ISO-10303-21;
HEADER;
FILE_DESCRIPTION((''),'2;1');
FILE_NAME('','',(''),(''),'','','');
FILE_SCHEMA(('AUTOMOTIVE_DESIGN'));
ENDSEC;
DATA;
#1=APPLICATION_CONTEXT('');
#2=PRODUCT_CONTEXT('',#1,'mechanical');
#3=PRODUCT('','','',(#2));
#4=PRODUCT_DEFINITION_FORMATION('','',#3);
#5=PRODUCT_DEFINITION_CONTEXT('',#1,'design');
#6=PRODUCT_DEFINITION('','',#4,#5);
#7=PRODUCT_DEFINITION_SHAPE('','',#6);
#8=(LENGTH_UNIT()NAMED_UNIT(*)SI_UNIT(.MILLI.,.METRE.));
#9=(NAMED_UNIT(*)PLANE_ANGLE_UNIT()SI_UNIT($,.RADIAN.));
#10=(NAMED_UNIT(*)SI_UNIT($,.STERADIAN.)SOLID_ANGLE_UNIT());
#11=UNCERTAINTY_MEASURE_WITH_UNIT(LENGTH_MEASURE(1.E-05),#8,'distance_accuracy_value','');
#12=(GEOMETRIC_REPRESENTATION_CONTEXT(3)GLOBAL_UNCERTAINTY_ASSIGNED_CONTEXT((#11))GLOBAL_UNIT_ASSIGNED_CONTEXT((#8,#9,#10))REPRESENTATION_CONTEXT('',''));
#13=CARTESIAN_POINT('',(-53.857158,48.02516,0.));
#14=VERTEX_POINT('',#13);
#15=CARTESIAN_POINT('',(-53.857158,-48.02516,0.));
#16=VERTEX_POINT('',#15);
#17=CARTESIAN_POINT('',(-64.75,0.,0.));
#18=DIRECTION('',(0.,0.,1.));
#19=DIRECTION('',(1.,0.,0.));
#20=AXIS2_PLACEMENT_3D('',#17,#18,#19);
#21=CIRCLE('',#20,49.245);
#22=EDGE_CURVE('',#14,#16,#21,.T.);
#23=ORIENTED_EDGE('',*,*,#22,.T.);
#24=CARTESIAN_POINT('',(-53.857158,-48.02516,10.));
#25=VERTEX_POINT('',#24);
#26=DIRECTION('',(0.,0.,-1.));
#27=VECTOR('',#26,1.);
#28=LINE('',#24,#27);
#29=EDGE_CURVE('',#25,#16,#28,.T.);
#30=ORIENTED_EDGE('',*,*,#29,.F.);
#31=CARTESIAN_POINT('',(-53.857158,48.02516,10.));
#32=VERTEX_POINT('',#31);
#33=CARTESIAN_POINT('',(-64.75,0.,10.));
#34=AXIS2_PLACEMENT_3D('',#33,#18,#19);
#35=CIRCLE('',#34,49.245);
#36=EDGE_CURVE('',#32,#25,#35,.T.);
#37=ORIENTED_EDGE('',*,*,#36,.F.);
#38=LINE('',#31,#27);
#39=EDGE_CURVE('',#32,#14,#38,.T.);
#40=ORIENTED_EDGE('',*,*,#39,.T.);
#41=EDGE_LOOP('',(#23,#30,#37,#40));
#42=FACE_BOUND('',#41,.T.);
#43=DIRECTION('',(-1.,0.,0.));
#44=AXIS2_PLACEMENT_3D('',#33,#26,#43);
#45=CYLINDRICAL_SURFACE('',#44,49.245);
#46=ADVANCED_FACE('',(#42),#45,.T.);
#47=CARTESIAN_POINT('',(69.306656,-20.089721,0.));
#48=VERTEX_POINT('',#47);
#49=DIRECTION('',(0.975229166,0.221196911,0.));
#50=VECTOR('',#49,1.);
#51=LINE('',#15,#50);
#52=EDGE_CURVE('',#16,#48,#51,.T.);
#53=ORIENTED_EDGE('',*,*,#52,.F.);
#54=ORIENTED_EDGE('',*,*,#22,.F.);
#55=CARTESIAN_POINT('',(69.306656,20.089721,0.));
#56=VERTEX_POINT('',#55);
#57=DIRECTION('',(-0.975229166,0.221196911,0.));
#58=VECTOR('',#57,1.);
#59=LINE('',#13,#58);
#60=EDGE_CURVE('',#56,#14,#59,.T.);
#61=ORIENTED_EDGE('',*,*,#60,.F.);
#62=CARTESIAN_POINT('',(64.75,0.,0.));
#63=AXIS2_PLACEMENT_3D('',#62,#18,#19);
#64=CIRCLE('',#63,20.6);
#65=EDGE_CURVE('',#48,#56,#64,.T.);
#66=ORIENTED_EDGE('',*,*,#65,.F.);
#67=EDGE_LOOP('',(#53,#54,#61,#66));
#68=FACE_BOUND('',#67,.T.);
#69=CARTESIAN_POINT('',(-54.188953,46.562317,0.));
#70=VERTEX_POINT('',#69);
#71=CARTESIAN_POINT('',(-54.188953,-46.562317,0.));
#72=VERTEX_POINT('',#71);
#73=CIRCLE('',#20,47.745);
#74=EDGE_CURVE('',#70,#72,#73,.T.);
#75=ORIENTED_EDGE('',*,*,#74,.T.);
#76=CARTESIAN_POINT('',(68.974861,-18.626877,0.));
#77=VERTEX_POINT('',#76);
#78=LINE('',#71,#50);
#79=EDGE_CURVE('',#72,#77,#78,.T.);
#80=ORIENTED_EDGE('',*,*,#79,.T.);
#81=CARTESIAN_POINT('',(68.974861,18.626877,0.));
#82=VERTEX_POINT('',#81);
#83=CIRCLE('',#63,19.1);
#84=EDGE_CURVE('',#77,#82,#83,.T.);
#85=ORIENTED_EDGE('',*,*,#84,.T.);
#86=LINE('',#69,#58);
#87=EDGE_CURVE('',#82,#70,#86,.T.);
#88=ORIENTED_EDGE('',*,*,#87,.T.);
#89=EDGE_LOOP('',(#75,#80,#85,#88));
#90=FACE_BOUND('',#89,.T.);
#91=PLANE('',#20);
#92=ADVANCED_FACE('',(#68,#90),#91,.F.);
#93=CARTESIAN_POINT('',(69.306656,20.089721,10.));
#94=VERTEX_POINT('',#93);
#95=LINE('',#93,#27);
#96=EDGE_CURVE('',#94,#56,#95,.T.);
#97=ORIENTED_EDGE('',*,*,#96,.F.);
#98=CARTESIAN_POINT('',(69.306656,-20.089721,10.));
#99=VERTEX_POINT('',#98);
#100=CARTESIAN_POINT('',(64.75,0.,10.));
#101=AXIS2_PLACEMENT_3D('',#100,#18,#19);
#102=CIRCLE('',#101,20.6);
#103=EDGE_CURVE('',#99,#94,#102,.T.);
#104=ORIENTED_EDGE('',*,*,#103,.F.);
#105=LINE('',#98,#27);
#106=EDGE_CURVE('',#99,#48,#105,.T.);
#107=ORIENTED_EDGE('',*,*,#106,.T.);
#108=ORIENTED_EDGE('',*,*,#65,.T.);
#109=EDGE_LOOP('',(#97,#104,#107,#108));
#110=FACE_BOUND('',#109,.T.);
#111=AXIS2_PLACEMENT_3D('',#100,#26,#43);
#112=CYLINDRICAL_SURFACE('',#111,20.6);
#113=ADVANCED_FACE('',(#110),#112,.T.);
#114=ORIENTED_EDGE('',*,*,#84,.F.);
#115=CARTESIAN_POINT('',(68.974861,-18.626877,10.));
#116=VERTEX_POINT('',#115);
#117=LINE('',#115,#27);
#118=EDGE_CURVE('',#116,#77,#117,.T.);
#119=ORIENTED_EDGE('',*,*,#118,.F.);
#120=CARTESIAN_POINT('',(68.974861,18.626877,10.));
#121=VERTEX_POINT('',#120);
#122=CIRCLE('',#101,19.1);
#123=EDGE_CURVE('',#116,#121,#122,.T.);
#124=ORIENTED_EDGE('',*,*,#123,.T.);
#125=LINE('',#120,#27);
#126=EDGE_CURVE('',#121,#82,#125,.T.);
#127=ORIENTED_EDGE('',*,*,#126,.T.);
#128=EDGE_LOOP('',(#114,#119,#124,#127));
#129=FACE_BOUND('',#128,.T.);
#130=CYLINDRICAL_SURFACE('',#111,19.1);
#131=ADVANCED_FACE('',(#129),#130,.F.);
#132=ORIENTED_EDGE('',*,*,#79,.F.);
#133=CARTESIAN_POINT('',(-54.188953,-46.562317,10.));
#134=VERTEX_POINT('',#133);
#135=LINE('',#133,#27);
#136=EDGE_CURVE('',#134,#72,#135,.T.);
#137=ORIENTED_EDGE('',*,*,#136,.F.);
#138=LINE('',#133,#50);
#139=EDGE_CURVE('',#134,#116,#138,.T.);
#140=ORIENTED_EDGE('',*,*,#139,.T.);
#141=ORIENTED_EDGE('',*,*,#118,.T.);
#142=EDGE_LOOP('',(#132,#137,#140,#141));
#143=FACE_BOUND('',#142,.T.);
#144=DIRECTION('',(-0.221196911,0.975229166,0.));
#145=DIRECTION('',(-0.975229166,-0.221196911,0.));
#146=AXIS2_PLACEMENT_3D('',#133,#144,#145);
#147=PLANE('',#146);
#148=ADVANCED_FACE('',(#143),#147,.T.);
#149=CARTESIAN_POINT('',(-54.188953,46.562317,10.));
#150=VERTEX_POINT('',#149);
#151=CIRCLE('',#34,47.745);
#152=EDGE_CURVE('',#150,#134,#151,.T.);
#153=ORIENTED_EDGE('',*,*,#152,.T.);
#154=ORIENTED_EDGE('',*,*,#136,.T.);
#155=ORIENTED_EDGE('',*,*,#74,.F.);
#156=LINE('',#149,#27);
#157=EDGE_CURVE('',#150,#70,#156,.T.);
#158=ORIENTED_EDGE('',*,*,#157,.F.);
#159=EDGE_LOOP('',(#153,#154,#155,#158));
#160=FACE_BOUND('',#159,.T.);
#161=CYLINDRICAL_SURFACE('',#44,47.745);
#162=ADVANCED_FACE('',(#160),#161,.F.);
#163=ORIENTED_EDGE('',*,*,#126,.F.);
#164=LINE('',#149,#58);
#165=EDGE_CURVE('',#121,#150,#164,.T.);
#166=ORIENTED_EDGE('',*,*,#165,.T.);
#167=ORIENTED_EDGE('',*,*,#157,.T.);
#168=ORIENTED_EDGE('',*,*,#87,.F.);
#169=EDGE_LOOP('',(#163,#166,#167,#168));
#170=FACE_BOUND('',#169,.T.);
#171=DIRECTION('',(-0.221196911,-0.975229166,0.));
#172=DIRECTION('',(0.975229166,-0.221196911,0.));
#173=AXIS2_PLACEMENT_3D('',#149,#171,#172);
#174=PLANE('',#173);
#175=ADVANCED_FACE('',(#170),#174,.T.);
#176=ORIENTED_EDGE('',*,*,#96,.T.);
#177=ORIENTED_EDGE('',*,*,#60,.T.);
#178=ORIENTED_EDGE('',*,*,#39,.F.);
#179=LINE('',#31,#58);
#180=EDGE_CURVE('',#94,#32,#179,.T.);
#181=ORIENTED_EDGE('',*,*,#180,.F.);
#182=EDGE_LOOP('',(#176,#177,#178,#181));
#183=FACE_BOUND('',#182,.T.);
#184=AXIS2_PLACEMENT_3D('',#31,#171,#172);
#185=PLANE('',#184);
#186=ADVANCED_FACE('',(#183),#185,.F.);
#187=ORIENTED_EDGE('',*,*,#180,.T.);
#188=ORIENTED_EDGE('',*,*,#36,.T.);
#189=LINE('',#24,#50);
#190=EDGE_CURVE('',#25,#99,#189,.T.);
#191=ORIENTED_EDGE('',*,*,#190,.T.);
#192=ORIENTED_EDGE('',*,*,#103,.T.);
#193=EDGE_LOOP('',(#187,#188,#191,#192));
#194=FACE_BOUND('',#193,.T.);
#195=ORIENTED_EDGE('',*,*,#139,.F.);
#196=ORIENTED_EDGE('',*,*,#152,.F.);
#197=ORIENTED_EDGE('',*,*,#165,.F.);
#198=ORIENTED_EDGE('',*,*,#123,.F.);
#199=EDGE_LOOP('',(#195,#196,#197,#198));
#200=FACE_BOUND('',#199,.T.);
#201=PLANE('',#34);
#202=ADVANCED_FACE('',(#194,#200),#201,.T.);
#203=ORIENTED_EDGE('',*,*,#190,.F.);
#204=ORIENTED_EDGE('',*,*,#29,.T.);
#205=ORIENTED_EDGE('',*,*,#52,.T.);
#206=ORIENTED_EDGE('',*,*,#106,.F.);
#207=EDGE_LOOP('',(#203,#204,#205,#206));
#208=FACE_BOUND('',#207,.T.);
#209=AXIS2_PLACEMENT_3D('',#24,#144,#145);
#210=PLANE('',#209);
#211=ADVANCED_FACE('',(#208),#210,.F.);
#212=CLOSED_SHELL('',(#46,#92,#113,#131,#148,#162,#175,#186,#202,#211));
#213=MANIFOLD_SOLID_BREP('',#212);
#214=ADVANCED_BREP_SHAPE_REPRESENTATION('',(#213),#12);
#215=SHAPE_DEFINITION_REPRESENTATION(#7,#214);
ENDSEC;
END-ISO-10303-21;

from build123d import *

# Parameters (mm, degrees)
EXTRUDE_1_DEPTH = 10


with BuildPart() as part:
    # 草圖1 → 伸長1 (new body)
    with BuildSketch(Plane.XY):
        with BuildLine():
            Line((-53.857158108, 48.025160286), (69.306656371, 20.089720822))
            ThreePointArc((69.306656371, 20.089720822), (85.35, 0), (69.306656371, -20.089720822))
            Line((69.306656371, -20.089720822), (-53.857158108, -48.025160286))
            ThreePointArc((-53.857158108, -48.025160286), (-113.995, 0), (-53.857158108, 48.025160286))
        make_face()
        with BuildLine():
            Line((-54.188953475, 46.562316537), (68.974861004, 18.626877073))
            ThreePointArc((68.974861004, 18.626877073), (83.85, 0), (68.974861004, -18.626877073))
            Line((68.974861004, -18.626877073), (-54.188953475, -46.562316537))
            ThreePointArc((-54.188953475, -46.562316537), (-112.495, 0), (-54.188953475, 46.562316537))
        make_face(mode=Mode.SUBTRACT)
    extrude(amount=EXTRUDE_1_DEPTH)


solid = part.part
